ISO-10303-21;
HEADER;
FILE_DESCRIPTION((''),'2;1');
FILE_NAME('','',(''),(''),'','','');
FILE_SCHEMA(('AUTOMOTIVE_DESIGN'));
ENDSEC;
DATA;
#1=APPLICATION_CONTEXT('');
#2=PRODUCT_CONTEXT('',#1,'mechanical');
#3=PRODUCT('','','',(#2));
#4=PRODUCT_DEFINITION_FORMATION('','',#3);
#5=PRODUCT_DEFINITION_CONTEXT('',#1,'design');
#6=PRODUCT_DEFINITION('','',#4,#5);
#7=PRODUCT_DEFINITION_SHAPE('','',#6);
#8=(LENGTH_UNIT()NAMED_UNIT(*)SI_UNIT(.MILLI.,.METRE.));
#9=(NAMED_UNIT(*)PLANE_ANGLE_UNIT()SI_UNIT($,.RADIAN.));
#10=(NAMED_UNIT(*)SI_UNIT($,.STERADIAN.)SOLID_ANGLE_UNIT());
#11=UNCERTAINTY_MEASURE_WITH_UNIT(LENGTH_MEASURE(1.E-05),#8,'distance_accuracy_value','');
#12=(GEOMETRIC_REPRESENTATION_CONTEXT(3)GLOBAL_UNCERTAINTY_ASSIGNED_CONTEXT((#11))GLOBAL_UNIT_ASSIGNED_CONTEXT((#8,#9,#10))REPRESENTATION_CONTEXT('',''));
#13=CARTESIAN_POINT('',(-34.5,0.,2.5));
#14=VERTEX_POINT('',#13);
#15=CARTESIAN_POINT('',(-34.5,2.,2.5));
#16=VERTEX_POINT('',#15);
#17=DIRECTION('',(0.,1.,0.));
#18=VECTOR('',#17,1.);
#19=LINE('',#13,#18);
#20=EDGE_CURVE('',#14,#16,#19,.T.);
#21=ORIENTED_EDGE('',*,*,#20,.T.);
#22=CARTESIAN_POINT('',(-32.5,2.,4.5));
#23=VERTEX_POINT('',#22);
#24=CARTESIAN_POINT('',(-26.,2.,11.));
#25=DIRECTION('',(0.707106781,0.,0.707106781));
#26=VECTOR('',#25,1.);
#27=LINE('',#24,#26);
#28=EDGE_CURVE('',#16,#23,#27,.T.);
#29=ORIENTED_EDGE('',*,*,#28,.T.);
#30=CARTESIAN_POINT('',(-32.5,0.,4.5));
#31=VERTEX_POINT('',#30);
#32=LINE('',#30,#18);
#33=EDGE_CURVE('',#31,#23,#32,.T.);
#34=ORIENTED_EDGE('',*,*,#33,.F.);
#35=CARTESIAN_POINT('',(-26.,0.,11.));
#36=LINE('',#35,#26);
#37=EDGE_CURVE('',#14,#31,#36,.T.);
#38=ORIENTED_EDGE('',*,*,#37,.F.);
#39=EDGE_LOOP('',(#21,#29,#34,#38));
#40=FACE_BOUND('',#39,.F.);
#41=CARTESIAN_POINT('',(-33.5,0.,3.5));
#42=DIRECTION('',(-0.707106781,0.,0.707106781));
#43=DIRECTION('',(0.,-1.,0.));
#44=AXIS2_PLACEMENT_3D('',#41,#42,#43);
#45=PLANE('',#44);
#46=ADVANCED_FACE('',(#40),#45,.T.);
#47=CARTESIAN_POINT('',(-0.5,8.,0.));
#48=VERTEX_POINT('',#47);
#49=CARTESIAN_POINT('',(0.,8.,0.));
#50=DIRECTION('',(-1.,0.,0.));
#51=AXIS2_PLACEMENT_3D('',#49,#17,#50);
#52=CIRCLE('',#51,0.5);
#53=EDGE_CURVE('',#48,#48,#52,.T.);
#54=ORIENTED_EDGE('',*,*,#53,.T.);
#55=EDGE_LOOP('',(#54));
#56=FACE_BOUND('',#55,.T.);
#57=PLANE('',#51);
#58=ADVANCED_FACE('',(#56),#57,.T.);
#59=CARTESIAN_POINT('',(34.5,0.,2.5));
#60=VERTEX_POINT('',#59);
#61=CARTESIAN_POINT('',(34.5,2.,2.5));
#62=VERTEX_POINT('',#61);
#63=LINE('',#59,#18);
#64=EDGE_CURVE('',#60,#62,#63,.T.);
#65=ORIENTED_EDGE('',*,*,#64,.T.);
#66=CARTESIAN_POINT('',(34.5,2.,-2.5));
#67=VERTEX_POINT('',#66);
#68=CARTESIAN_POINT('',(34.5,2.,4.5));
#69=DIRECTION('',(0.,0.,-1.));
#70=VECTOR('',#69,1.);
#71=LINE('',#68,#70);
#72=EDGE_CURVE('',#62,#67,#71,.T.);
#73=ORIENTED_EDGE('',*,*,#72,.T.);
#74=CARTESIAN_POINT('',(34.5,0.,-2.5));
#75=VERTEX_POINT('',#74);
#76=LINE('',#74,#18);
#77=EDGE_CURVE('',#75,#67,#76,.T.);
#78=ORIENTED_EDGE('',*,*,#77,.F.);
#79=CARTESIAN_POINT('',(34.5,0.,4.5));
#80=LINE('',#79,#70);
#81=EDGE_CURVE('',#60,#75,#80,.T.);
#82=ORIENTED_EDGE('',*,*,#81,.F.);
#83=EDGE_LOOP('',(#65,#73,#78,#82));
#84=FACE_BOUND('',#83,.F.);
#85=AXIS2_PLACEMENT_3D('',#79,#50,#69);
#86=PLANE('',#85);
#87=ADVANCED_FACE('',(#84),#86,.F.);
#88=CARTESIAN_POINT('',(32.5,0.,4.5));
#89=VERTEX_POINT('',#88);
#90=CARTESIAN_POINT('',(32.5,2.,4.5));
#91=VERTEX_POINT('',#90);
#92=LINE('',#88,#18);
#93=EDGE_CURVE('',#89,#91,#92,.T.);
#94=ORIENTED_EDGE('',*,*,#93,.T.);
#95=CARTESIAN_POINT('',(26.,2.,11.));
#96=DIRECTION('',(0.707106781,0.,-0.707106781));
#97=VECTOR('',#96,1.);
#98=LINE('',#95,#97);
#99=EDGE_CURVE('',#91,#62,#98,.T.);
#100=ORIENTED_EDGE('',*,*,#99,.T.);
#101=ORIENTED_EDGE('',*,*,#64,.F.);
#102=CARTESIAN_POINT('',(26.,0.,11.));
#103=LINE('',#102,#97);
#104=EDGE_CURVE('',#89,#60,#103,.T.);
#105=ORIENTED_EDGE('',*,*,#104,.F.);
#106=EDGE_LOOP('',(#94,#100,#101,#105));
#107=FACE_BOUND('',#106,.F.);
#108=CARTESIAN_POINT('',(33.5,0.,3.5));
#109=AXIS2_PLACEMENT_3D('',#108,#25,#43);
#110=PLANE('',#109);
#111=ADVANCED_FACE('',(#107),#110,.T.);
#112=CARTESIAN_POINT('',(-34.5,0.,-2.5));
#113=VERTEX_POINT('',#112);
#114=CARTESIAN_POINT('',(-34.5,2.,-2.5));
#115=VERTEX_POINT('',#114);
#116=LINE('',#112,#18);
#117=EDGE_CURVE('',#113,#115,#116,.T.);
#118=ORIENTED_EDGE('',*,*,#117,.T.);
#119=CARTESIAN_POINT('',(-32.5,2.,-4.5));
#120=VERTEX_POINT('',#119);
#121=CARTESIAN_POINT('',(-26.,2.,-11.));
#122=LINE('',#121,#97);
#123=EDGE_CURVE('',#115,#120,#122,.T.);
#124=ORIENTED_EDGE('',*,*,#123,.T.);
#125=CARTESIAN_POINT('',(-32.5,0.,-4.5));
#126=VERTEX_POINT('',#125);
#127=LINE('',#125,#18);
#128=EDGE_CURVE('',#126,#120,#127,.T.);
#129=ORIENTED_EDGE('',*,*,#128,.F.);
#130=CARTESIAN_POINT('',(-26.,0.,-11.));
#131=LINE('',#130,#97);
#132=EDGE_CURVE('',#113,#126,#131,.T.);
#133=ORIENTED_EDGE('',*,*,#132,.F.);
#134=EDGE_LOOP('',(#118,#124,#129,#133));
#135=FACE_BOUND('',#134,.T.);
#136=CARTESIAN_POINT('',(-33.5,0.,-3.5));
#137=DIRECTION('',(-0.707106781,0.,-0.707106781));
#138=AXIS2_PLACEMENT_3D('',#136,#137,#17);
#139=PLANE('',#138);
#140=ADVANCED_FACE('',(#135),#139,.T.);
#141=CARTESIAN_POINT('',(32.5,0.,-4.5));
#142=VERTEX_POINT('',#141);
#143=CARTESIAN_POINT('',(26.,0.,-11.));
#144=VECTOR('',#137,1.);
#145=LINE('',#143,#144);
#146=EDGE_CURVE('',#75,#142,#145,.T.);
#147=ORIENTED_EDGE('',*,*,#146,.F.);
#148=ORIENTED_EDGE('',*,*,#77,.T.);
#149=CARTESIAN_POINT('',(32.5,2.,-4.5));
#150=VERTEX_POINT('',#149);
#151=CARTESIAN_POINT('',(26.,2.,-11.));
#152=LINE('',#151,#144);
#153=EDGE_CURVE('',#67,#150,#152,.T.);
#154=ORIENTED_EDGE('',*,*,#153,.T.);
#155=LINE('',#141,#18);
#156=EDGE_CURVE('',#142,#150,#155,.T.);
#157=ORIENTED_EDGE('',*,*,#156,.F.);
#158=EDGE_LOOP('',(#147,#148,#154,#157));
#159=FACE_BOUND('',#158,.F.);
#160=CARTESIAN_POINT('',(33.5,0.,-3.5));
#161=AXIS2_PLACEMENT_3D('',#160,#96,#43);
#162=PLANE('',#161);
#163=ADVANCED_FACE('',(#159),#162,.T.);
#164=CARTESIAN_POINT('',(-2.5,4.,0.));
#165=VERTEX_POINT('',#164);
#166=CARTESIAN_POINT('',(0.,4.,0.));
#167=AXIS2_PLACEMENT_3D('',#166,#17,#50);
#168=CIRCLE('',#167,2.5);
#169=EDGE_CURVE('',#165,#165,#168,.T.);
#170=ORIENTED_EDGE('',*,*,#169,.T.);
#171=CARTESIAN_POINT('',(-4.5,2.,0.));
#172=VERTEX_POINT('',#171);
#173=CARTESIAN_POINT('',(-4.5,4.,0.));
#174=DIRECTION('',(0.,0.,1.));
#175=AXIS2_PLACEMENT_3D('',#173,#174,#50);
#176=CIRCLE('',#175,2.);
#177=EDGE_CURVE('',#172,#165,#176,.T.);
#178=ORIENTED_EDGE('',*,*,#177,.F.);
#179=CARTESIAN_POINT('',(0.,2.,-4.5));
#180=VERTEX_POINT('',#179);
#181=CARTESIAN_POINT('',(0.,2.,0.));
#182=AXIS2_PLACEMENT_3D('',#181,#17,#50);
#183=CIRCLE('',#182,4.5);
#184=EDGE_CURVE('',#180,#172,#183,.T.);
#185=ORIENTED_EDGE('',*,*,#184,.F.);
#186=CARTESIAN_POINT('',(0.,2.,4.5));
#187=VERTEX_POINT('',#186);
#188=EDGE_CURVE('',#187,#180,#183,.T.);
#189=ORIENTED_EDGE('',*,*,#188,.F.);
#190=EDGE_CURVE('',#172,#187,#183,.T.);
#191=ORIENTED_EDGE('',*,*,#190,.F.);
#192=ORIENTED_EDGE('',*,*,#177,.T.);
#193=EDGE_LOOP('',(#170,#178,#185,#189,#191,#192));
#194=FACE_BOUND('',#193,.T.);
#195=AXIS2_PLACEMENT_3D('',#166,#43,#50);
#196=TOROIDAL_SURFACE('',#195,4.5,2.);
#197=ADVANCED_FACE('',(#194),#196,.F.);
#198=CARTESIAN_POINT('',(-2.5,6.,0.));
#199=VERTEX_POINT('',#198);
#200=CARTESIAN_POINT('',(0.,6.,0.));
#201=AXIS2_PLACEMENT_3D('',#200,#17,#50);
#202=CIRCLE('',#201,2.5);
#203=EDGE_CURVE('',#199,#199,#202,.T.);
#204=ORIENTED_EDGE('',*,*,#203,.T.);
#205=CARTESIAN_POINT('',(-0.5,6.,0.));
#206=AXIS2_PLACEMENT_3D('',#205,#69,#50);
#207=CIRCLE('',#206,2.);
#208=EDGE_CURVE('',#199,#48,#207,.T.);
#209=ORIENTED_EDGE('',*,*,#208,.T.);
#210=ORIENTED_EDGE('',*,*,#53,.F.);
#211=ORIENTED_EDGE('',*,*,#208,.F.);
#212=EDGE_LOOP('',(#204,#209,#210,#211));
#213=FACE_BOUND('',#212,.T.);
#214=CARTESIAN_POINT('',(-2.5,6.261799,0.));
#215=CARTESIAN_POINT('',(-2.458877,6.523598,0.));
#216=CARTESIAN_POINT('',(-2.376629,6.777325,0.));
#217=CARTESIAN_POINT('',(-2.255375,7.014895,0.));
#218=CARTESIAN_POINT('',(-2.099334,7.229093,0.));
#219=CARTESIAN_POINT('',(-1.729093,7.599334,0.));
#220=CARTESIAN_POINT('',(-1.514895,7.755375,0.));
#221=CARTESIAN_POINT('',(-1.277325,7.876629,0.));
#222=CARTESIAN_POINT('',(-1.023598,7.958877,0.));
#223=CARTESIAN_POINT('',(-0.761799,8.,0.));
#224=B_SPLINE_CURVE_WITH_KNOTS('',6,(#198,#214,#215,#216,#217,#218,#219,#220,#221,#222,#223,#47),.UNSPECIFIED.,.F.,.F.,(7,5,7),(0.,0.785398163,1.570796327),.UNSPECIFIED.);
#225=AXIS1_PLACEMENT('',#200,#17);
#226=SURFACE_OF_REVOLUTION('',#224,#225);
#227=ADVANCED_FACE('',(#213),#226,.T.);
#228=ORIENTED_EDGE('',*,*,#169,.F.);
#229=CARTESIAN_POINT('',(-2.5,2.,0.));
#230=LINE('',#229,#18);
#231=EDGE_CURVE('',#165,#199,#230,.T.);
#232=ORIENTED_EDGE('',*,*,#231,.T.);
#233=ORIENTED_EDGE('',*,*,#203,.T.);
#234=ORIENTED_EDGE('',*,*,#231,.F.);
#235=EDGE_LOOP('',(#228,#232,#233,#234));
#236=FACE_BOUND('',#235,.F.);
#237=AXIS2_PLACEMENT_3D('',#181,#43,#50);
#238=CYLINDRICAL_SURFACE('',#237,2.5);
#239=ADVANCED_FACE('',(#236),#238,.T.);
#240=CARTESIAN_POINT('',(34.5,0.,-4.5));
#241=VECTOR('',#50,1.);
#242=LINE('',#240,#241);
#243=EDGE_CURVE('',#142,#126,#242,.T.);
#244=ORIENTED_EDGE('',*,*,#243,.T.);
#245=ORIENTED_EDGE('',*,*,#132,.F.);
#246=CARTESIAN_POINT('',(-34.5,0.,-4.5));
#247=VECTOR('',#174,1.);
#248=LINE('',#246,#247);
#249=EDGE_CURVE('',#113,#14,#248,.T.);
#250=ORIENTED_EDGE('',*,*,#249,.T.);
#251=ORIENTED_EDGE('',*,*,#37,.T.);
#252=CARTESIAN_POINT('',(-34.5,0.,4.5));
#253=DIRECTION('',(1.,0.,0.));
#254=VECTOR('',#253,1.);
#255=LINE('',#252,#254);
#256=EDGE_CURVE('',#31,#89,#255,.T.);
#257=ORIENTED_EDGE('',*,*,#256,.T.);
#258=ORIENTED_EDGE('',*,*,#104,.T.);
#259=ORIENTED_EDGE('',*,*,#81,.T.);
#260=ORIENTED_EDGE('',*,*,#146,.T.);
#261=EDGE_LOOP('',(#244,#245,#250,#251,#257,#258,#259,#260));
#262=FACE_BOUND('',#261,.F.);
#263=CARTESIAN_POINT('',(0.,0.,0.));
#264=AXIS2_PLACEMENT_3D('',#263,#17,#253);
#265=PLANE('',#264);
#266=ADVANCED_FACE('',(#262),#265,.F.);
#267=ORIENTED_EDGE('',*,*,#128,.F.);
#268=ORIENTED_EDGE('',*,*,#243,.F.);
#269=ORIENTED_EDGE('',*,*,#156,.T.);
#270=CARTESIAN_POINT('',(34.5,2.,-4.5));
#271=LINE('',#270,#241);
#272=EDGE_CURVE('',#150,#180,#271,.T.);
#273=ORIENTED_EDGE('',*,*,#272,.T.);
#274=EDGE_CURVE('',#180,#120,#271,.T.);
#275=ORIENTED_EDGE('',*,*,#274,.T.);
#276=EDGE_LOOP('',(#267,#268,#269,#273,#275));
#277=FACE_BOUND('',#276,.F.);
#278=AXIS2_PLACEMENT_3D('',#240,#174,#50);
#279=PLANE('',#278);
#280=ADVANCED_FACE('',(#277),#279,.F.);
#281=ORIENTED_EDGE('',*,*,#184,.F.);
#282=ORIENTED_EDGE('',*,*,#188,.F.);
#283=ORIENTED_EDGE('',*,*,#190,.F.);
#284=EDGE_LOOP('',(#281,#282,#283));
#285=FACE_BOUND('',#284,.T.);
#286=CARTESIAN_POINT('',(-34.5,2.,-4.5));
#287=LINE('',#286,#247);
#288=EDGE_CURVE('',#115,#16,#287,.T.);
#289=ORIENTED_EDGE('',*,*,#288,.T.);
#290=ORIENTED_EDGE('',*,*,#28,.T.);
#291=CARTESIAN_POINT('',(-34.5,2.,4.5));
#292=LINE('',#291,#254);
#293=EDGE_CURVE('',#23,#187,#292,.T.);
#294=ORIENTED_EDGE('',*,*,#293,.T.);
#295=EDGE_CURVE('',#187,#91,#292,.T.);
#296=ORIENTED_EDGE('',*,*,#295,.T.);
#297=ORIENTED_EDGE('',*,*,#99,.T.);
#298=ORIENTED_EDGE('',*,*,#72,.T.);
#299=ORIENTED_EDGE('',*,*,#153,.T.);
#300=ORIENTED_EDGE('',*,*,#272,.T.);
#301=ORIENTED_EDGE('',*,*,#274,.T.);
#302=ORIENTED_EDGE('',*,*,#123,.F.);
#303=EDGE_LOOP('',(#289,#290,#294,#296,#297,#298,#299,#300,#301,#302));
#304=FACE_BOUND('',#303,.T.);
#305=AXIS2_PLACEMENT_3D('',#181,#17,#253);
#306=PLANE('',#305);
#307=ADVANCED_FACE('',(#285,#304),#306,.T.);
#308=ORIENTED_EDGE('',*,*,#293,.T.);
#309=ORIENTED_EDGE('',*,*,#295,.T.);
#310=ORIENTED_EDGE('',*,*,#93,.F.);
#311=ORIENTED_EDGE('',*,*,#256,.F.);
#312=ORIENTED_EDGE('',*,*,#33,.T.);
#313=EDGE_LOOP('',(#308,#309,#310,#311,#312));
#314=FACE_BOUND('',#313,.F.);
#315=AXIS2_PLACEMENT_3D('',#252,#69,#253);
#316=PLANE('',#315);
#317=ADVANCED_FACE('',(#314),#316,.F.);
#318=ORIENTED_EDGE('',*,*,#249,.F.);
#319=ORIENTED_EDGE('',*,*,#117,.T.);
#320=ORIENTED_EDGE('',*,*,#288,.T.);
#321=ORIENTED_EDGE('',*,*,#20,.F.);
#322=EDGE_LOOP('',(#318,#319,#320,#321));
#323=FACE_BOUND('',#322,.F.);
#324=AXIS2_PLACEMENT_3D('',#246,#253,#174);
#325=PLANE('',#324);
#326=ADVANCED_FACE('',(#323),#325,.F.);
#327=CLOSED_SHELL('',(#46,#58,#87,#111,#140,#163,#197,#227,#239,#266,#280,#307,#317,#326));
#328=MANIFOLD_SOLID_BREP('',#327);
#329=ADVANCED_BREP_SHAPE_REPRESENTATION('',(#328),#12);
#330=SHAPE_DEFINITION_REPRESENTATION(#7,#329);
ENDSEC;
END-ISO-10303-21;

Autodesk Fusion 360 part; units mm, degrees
sketch "Sketch2" plane through (0, 0, 0) normal (0, 1, 0) x (1, 0, 0)
  line L0 (-34.5, -4.5) -> (34.5, -4.5)
  line L1 (34.5, -4.5) -> (34.5, 4.5)
  line L2 (34.5, 4.5) -> (-34.5, 4.5)
  line L3 (-34.5, 4.5) -> (-34.5, -4.5)
  line L4 (-34.5, -4.5) -> (34.5, 4.5) construction
  line L5 (34.5, -4.5) -> (-34.5, 4.5) construction
  circle A0 centre (0, 0) radius 2.5
  dimension "d1" = 69
  dimension "d2" = 9
  dimension "d3" = 5
extrude "Extrude1" add sketch "Sketch2" along normal blind 2 contours L0 L1 L2 L3 | A0 makes body 1
sketch "Sketch3" plane through (0, 2, 0) normal (0, 1, 0) x (-1, 0, 0)
  line L0 (34.5, -4.5) -> (34.5, 4.5)
  line L1 (34.5, 4.5) -> (-34.5, 4.5)
  line L2 (-34.5, 4.5) -> (-34.5, -4.5)
  line L3 (-34.5, -4.5) -> (34.5, -4.5)
  circle A0 centre (0, 0) radius 2.5
  circle A1 centre (0, 0) radius 2.5
extrude "Extrude3" add sketch "Sketch3" along normal blind 6 contours A0 A1 bodies 1
fillet "Fillet3" radius 2 1 edges at (2.3308, 2, 0.904) on bodies 1
fillet "Fillet4" radius 2 1 edges at (2.3308, 8, -0.904) on bodies 1
chamfer "Chamfer2" distance 2 angle 45 4 edges at (34.5, 1, 4.5) (34.5, 1, -4.5) (-34.5, 1, -4.5) (-34.5, 1, 4.5) on bodies 1
copy_body "Body->Comp1" bodies 1 removing the originals makes body 2 in component "spring"
component "spring" placed x (1, 0, 0) y (0, 1, 0) z (0, 0, 1) at (0, 0, 0)
equation "d4 = spring_thickness"
equation "d15 = post_length"
equation "spring_thickness = 2 mm"
equation "post_length = 6 mm"
